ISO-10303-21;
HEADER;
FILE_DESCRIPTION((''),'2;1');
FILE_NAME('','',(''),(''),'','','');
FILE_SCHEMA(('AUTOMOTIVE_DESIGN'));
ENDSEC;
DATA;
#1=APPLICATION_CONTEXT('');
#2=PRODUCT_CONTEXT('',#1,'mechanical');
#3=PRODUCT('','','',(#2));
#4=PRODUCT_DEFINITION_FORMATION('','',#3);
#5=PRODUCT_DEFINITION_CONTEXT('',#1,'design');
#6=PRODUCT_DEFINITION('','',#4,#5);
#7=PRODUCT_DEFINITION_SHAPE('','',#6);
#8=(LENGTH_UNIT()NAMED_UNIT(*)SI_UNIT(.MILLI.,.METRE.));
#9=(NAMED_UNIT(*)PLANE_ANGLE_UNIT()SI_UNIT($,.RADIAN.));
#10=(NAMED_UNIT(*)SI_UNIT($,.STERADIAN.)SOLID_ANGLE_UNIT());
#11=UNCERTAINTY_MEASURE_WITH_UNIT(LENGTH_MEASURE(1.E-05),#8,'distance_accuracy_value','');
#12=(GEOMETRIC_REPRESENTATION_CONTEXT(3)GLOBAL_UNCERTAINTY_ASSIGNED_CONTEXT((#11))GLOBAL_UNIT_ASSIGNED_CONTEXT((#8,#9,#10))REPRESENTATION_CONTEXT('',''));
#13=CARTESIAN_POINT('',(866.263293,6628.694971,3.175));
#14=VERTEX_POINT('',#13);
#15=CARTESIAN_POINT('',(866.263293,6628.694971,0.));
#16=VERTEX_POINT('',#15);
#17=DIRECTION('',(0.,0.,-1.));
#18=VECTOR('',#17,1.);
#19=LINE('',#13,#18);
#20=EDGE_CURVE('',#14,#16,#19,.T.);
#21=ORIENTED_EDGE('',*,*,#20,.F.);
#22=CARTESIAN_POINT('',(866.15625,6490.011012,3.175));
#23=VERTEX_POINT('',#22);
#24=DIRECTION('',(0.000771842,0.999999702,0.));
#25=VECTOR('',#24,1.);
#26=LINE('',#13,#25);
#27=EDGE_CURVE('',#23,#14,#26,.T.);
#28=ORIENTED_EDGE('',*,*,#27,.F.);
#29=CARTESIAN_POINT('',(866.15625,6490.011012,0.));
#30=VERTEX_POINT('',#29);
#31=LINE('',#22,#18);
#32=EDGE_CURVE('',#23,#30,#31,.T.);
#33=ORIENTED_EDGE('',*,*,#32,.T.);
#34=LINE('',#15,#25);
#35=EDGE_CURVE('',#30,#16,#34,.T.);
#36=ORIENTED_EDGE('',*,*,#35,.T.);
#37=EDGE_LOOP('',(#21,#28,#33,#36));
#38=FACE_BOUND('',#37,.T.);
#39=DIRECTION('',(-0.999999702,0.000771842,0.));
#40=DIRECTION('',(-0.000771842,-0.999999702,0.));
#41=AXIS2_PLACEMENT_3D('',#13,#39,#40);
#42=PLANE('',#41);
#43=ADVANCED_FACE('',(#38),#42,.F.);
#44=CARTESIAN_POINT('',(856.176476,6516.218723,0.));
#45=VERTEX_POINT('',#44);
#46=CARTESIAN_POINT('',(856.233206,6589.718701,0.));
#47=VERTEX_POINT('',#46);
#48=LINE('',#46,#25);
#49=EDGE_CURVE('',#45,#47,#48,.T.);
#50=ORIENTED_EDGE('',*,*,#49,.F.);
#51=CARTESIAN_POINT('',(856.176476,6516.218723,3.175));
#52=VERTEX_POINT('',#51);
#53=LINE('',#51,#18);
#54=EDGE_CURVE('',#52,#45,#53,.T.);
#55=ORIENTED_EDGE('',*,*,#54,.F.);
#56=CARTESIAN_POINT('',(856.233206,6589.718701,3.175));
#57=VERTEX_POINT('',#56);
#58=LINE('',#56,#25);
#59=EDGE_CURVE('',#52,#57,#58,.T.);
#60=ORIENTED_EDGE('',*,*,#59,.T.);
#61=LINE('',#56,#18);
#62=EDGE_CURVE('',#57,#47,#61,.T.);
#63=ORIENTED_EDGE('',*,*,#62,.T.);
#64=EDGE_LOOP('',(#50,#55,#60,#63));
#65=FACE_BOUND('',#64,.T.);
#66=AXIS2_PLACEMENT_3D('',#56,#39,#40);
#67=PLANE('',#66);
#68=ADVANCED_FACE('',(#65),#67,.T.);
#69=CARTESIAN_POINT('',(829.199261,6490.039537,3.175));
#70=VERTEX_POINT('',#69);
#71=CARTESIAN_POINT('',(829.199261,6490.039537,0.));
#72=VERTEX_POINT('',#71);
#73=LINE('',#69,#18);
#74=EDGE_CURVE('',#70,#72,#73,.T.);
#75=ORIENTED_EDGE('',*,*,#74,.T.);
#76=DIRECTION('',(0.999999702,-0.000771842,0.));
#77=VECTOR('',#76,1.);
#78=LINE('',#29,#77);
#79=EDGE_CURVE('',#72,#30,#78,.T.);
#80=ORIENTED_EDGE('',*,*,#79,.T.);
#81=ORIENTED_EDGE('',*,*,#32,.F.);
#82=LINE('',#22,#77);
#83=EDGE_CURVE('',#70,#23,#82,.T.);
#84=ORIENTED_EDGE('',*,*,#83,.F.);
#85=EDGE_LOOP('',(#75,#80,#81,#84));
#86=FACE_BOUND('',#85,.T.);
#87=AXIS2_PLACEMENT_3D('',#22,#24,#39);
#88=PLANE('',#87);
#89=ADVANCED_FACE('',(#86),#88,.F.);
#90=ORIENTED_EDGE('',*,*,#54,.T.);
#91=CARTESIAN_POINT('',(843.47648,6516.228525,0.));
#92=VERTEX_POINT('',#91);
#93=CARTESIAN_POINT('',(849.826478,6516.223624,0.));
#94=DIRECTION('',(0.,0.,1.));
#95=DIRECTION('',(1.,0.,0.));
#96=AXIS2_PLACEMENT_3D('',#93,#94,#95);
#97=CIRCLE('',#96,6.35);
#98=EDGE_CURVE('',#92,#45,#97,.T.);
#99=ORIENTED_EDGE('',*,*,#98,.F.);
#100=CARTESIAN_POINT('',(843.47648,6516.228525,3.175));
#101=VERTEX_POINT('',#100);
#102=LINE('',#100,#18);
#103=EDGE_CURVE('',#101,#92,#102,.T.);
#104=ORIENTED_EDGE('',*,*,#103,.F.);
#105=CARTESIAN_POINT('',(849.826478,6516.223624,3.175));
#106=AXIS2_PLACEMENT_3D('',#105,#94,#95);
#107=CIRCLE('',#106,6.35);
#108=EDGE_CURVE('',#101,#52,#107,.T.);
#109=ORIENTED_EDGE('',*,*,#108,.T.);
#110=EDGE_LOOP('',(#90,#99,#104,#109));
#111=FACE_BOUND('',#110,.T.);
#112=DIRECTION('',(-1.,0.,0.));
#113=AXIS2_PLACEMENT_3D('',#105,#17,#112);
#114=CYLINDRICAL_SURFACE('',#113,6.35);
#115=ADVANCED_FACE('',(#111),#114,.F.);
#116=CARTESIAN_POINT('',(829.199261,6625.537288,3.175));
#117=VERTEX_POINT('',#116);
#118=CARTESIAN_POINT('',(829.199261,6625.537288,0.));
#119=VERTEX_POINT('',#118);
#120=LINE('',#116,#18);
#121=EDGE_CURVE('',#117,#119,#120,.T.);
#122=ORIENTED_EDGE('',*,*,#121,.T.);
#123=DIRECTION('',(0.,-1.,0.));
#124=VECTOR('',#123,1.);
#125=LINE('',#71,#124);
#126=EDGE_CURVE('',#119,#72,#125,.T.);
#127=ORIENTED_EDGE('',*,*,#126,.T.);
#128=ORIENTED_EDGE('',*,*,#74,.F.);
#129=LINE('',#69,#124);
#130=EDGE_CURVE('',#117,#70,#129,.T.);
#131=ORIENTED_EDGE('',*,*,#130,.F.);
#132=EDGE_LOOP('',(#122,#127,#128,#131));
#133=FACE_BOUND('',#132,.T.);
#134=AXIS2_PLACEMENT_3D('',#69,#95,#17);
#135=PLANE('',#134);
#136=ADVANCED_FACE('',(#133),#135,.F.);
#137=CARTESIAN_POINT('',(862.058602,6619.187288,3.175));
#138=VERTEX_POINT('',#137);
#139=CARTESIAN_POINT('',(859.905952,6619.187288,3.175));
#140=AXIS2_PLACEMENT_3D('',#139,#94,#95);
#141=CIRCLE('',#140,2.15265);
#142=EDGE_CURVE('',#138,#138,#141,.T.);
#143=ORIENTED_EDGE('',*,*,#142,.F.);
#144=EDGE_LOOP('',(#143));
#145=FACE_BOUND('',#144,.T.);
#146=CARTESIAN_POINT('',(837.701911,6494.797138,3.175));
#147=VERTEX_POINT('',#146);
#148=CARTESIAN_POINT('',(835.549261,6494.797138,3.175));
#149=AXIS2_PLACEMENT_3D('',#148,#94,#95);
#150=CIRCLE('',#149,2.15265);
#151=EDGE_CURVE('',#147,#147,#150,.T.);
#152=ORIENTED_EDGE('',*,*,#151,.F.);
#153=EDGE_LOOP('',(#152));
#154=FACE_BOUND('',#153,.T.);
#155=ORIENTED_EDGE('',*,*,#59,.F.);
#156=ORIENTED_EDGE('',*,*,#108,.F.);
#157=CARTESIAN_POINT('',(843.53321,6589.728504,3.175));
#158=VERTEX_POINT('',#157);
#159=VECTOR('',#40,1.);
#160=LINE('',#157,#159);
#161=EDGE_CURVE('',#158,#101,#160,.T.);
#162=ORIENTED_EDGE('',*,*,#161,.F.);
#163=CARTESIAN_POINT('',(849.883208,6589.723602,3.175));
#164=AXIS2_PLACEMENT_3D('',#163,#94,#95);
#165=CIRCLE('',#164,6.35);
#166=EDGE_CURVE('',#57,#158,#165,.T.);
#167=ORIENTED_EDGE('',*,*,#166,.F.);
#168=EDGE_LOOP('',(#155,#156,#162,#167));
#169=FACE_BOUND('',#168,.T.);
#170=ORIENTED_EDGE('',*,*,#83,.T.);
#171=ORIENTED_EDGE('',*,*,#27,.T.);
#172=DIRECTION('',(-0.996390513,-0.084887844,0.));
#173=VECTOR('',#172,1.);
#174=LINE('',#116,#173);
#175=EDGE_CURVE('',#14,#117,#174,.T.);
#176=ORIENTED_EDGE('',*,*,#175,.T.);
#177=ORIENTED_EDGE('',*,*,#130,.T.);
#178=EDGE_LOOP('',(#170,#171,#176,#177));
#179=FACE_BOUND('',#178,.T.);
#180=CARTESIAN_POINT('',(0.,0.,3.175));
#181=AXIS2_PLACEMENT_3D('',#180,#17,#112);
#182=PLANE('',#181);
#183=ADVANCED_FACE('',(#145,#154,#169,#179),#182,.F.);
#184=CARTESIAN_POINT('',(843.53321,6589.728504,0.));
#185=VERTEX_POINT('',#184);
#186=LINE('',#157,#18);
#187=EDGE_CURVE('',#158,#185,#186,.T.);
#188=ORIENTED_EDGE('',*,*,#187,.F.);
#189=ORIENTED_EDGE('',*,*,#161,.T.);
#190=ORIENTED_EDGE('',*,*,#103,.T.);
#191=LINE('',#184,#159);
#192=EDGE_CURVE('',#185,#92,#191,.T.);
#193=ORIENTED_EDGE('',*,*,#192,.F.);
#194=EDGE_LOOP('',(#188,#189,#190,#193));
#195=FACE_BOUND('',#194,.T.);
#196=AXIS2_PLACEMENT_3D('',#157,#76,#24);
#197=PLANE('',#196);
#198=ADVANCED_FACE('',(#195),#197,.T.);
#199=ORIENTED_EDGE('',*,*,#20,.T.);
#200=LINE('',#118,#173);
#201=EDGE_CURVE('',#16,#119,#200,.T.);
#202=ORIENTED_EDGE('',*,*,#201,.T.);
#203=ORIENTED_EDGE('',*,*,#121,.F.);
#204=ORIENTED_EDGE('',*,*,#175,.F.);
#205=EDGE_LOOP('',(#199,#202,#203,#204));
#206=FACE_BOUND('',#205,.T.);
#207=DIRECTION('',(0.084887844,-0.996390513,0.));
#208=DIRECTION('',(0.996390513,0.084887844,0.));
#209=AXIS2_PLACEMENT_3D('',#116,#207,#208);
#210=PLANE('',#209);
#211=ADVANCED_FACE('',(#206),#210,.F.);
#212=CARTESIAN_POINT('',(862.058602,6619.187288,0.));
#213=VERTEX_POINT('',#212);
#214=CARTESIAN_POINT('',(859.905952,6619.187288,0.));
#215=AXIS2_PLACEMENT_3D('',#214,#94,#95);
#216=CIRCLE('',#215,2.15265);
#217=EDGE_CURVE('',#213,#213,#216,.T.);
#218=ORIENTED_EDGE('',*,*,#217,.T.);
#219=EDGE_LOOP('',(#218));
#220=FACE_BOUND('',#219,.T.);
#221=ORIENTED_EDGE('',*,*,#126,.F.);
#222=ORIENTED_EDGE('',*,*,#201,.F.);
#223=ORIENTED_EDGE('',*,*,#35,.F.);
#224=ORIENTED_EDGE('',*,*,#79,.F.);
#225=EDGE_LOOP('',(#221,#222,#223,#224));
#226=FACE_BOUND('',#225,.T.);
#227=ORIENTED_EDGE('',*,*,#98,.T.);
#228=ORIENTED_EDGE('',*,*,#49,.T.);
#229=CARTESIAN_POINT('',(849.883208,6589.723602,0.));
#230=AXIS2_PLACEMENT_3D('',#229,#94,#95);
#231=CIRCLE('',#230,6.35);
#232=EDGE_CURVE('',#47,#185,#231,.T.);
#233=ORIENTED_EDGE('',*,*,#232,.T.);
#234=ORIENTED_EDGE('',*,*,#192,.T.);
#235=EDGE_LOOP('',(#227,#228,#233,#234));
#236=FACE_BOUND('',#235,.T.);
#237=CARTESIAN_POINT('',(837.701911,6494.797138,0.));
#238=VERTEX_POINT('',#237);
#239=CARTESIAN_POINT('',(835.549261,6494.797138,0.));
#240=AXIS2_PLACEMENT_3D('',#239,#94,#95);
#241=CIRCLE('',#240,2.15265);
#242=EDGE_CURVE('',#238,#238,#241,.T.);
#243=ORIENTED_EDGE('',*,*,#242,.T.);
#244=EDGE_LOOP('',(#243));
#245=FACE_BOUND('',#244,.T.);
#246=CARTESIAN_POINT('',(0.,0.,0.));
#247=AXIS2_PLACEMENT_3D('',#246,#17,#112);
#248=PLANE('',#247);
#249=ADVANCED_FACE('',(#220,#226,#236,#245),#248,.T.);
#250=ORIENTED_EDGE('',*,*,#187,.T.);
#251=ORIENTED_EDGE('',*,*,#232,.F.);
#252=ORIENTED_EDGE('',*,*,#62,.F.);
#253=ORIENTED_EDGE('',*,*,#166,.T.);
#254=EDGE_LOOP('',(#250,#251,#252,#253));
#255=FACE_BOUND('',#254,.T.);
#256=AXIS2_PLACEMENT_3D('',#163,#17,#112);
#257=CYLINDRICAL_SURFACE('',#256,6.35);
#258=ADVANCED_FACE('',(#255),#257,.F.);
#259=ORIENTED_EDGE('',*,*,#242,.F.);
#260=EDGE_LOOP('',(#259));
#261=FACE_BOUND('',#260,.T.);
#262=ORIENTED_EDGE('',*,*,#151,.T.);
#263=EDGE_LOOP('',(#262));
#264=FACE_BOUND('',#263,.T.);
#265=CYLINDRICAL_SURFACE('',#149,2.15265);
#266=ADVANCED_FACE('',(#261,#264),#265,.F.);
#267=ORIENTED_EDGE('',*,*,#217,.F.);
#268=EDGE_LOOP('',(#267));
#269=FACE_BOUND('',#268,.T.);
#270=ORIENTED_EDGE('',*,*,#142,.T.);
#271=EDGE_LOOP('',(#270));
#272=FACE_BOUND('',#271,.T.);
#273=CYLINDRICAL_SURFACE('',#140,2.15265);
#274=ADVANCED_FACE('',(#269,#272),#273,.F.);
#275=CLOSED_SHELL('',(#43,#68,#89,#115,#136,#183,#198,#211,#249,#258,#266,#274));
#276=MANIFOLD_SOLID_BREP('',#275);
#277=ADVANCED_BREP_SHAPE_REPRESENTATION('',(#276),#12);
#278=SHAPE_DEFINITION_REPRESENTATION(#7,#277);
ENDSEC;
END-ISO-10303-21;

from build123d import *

# Parameters (mm, degrees)
BOSS_EXTRUDE1_DEPTH   = 3.175
F_6_CLEARANCE_HOLE1_D = 4.3053


with BuildPart() as part:
    # Sketch1 → Boss-Extrude1 (new body)
    with BuildSketch(Plane.XY):
        Polygon((866.156250481, 6490.011012461), (829.199261489, 6490.03953741), (829.199261489, 6625.537287847), (866.263292559, 6628.694971151), align=None)
        with BuildLine():
            Line((856.233206108, 6589.718701179), (856.176475752, 6516.218723072))
            ThreePointArc((856.176475752, 6516.218723072), (849.821576449, 6509.873626158), (843.476479535, 6516.22852546))
            Line((843.476479535, 6516.22852546), (843.533209891, 6589.728503567))
            ThreePointArc((843.533209891, 6589.728503567), (849.888109194, 6596.073600482), (856.233206108, 6589.718701179))
        make_face(mode=Mode.SUBTRACT)
    extrude(amount=BOSS_EXTRUDE1_DEPTH)

    # #6 Clearance Hole1 (through all)
    with Locations(Plane.XY.offset(3.175)):
        with Locations((859.90595224, 6619.187287847), (835.549261489, 6494.797137633)):
            Hole(F_6_CLEARANCE_HOLE1_D / 2)


solid = part.part
